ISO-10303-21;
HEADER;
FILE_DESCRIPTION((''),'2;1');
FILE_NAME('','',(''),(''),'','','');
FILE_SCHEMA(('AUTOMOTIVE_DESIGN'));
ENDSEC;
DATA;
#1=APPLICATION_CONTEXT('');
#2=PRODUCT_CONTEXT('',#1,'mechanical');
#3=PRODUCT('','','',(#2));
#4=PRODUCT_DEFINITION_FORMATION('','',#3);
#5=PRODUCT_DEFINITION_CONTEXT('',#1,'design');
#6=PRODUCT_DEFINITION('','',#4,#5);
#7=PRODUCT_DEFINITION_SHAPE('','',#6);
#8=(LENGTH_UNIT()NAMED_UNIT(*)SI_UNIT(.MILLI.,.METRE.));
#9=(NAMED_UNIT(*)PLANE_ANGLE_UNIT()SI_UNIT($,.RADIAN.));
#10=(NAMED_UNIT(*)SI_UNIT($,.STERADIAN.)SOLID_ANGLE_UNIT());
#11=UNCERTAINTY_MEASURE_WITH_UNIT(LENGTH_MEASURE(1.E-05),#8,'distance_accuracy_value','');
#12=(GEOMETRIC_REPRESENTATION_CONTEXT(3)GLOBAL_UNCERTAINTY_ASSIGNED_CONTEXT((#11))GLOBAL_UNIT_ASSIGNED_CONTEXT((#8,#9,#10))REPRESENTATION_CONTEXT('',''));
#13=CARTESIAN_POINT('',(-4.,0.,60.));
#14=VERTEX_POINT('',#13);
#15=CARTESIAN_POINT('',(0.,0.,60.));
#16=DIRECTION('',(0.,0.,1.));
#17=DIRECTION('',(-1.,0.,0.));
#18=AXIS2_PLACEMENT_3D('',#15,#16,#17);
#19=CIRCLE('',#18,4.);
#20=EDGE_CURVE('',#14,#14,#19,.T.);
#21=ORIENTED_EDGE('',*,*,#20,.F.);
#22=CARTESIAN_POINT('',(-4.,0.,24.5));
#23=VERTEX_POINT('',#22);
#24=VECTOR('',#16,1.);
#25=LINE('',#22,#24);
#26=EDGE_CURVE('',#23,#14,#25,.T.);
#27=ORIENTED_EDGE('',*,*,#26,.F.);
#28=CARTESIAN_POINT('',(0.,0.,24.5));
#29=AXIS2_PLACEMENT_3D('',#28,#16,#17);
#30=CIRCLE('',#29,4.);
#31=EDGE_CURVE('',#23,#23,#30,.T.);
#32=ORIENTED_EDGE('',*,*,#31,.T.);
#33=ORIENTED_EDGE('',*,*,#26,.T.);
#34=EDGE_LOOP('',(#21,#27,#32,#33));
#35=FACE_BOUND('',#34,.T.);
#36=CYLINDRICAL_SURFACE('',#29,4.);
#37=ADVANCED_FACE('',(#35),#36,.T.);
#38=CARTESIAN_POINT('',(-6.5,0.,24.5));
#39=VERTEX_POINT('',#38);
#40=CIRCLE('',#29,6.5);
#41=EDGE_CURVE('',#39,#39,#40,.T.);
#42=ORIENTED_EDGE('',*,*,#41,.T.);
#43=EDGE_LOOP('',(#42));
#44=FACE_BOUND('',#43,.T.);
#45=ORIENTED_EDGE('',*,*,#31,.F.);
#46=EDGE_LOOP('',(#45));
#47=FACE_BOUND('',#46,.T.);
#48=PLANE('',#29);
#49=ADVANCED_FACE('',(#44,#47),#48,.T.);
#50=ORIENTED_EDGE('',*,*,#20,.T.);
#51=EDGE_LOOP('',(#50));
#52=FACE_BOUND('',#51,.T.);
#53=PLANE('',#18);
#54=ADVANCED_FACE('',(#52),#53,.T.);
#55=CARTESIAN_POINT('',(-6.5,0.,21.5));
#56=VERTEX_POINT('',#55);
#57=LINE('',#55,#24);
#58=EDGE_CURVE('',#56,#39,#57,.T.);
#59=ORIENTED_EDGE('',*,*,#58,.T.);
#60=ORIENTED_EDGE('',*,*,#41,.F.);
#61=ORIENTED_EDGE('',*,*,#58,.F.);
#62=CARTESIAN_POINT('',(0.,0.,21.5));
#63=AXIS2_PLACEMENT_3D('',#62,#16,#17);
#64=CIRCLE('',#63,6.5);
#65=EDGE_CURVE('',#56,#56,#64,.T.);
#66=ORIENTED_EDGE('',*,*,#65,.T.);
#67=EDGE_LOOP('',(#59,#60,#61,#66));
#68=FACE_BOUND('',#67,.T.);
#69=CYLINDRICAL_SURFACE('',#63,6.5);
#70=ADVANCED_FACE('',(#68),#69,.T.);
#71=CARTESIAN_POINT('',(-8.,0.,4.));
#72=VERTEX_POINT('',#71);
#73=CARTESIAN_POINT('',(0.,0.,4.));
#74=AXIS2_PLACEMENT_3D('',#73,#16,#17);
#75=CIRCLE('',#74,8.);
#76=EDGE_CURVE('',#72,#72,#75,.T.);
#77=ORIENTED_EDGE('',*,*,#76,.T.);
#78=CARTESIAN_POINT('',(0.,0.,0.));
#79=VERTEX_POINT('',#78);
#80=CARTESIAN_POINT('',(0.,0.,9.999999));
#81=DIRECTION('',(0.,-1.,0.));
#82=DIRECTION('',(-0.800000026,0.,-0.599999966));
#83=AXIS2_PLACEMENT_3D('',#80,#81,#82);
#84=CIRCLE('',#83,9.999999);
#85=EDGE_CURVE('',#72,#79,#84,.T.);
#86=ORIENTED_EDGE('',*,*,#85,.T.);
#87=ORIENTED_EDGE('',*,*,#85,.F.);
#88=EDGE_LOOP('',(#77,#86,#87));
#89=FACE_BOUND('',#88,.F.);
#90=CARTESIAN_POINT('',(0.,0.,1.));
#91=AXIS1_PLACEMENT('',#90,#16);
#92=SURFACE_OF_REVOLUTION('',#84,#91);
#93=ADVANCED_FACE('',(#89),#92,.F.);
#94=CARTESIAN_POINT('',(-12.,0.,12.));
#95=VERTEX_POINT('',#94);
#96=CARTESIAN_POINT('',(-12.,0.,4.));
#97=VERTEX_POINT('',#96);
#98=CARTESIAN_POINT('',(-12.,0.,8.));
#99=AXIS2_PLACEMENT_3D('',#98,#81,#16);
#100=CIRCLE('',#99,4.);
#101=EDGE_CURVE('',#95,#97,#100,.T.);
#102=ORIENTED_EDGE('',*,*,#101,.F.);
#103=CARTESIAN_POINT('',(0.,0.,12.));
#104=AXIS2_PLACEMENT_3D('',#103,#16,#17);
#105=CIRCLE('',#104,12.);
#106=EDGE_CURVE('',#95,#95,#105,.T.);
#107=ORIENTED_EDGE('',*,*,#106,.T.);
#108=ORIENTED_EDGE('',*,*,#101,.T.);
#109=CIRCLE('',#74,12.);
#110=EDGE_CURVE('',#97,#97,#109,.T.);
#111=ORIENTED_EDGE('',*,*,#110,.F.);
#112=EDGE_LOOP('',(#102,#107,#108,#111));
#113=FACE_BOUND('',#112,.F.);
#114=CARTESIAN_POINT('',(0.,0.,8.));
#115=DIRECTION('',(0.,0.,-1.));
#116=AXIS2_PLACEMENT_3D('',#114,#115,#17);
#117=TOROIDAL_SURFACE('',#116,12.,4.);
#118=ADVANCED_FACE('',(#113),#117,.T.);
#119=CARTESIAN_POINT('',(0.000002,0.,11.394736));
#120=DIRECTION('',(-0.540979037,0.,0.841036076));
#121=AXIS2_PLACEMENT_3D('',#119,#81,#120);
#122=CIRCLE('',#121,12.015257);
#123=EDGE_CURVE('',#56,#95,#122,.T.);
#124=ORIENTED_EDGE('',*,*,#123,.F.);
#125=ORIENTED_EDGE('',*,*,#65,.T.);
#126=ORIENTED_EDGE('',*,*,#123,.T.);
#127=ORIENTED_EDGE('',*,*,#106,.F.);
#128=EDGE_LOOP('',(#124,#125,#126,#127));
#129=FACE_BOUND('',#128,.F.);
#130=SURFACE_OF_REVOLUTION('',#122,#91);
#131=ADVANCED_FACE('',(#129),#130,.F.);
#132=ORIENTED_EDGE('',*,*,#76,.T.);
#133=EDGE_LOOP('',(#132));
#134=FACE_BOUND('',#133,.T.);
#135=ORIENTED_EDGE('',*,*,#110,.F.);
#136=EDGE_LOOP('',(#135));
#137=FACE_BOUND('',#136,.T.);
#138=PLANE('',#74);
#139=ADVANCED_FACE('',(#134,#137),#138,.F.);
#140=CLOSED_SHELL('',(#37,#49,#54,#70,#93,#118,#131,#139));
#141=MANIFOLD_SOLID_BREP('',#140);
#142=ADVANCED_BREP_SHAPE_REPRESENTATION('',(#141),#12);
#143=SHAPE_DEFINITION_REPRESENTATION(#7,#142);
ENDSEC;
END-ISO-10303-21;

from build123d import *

# Parameters (mm, degrees)
REVOLVE_ONTO_SKETCH_ROLL_ANGLE = 90


with BuildPart() as part:
    # Sketch as drawn → Revolve (revolve)
    with BuildSketch(Plane.XY):
        with BuildLine():
            ThreePointArc((-8, 4), (-4.472136, 1.055728), (0, 0))
            Line((0, 60), (0, 0))
            Line((-4, 60), (0, 60))
            Line((-4, 24.5), (-4, 60))
            Line((-6.5, 24.5), (-4, 24.5))
            Line((-6.5, 21.5), (-6.5, 24.5))
            ThreePointArc((-6.5, 21.5), (-10.398317, 17.414815), (-12, 12))
            ThreePointArc((-12, 12), (-16, 8), (-12, 4))
            Line((-8, 4), (-12, 4))
        make_face()
    revolve(axis=Axis((0, 1, 0), (0, 1, 0)))


with BuildPart() as part_1:
    # Revolve onto Sketch roll: moved
    add(part.part.rotate(Axis((0, 0, 0), (1, 0, 0)), REVOLVE_ONTO_SKETCH_ROLL_ANGLE))


with BuildPart() as part_2:
    # Revolve onto Sketch placement: moved
    add(part_1.part)


solid = part_2.part
